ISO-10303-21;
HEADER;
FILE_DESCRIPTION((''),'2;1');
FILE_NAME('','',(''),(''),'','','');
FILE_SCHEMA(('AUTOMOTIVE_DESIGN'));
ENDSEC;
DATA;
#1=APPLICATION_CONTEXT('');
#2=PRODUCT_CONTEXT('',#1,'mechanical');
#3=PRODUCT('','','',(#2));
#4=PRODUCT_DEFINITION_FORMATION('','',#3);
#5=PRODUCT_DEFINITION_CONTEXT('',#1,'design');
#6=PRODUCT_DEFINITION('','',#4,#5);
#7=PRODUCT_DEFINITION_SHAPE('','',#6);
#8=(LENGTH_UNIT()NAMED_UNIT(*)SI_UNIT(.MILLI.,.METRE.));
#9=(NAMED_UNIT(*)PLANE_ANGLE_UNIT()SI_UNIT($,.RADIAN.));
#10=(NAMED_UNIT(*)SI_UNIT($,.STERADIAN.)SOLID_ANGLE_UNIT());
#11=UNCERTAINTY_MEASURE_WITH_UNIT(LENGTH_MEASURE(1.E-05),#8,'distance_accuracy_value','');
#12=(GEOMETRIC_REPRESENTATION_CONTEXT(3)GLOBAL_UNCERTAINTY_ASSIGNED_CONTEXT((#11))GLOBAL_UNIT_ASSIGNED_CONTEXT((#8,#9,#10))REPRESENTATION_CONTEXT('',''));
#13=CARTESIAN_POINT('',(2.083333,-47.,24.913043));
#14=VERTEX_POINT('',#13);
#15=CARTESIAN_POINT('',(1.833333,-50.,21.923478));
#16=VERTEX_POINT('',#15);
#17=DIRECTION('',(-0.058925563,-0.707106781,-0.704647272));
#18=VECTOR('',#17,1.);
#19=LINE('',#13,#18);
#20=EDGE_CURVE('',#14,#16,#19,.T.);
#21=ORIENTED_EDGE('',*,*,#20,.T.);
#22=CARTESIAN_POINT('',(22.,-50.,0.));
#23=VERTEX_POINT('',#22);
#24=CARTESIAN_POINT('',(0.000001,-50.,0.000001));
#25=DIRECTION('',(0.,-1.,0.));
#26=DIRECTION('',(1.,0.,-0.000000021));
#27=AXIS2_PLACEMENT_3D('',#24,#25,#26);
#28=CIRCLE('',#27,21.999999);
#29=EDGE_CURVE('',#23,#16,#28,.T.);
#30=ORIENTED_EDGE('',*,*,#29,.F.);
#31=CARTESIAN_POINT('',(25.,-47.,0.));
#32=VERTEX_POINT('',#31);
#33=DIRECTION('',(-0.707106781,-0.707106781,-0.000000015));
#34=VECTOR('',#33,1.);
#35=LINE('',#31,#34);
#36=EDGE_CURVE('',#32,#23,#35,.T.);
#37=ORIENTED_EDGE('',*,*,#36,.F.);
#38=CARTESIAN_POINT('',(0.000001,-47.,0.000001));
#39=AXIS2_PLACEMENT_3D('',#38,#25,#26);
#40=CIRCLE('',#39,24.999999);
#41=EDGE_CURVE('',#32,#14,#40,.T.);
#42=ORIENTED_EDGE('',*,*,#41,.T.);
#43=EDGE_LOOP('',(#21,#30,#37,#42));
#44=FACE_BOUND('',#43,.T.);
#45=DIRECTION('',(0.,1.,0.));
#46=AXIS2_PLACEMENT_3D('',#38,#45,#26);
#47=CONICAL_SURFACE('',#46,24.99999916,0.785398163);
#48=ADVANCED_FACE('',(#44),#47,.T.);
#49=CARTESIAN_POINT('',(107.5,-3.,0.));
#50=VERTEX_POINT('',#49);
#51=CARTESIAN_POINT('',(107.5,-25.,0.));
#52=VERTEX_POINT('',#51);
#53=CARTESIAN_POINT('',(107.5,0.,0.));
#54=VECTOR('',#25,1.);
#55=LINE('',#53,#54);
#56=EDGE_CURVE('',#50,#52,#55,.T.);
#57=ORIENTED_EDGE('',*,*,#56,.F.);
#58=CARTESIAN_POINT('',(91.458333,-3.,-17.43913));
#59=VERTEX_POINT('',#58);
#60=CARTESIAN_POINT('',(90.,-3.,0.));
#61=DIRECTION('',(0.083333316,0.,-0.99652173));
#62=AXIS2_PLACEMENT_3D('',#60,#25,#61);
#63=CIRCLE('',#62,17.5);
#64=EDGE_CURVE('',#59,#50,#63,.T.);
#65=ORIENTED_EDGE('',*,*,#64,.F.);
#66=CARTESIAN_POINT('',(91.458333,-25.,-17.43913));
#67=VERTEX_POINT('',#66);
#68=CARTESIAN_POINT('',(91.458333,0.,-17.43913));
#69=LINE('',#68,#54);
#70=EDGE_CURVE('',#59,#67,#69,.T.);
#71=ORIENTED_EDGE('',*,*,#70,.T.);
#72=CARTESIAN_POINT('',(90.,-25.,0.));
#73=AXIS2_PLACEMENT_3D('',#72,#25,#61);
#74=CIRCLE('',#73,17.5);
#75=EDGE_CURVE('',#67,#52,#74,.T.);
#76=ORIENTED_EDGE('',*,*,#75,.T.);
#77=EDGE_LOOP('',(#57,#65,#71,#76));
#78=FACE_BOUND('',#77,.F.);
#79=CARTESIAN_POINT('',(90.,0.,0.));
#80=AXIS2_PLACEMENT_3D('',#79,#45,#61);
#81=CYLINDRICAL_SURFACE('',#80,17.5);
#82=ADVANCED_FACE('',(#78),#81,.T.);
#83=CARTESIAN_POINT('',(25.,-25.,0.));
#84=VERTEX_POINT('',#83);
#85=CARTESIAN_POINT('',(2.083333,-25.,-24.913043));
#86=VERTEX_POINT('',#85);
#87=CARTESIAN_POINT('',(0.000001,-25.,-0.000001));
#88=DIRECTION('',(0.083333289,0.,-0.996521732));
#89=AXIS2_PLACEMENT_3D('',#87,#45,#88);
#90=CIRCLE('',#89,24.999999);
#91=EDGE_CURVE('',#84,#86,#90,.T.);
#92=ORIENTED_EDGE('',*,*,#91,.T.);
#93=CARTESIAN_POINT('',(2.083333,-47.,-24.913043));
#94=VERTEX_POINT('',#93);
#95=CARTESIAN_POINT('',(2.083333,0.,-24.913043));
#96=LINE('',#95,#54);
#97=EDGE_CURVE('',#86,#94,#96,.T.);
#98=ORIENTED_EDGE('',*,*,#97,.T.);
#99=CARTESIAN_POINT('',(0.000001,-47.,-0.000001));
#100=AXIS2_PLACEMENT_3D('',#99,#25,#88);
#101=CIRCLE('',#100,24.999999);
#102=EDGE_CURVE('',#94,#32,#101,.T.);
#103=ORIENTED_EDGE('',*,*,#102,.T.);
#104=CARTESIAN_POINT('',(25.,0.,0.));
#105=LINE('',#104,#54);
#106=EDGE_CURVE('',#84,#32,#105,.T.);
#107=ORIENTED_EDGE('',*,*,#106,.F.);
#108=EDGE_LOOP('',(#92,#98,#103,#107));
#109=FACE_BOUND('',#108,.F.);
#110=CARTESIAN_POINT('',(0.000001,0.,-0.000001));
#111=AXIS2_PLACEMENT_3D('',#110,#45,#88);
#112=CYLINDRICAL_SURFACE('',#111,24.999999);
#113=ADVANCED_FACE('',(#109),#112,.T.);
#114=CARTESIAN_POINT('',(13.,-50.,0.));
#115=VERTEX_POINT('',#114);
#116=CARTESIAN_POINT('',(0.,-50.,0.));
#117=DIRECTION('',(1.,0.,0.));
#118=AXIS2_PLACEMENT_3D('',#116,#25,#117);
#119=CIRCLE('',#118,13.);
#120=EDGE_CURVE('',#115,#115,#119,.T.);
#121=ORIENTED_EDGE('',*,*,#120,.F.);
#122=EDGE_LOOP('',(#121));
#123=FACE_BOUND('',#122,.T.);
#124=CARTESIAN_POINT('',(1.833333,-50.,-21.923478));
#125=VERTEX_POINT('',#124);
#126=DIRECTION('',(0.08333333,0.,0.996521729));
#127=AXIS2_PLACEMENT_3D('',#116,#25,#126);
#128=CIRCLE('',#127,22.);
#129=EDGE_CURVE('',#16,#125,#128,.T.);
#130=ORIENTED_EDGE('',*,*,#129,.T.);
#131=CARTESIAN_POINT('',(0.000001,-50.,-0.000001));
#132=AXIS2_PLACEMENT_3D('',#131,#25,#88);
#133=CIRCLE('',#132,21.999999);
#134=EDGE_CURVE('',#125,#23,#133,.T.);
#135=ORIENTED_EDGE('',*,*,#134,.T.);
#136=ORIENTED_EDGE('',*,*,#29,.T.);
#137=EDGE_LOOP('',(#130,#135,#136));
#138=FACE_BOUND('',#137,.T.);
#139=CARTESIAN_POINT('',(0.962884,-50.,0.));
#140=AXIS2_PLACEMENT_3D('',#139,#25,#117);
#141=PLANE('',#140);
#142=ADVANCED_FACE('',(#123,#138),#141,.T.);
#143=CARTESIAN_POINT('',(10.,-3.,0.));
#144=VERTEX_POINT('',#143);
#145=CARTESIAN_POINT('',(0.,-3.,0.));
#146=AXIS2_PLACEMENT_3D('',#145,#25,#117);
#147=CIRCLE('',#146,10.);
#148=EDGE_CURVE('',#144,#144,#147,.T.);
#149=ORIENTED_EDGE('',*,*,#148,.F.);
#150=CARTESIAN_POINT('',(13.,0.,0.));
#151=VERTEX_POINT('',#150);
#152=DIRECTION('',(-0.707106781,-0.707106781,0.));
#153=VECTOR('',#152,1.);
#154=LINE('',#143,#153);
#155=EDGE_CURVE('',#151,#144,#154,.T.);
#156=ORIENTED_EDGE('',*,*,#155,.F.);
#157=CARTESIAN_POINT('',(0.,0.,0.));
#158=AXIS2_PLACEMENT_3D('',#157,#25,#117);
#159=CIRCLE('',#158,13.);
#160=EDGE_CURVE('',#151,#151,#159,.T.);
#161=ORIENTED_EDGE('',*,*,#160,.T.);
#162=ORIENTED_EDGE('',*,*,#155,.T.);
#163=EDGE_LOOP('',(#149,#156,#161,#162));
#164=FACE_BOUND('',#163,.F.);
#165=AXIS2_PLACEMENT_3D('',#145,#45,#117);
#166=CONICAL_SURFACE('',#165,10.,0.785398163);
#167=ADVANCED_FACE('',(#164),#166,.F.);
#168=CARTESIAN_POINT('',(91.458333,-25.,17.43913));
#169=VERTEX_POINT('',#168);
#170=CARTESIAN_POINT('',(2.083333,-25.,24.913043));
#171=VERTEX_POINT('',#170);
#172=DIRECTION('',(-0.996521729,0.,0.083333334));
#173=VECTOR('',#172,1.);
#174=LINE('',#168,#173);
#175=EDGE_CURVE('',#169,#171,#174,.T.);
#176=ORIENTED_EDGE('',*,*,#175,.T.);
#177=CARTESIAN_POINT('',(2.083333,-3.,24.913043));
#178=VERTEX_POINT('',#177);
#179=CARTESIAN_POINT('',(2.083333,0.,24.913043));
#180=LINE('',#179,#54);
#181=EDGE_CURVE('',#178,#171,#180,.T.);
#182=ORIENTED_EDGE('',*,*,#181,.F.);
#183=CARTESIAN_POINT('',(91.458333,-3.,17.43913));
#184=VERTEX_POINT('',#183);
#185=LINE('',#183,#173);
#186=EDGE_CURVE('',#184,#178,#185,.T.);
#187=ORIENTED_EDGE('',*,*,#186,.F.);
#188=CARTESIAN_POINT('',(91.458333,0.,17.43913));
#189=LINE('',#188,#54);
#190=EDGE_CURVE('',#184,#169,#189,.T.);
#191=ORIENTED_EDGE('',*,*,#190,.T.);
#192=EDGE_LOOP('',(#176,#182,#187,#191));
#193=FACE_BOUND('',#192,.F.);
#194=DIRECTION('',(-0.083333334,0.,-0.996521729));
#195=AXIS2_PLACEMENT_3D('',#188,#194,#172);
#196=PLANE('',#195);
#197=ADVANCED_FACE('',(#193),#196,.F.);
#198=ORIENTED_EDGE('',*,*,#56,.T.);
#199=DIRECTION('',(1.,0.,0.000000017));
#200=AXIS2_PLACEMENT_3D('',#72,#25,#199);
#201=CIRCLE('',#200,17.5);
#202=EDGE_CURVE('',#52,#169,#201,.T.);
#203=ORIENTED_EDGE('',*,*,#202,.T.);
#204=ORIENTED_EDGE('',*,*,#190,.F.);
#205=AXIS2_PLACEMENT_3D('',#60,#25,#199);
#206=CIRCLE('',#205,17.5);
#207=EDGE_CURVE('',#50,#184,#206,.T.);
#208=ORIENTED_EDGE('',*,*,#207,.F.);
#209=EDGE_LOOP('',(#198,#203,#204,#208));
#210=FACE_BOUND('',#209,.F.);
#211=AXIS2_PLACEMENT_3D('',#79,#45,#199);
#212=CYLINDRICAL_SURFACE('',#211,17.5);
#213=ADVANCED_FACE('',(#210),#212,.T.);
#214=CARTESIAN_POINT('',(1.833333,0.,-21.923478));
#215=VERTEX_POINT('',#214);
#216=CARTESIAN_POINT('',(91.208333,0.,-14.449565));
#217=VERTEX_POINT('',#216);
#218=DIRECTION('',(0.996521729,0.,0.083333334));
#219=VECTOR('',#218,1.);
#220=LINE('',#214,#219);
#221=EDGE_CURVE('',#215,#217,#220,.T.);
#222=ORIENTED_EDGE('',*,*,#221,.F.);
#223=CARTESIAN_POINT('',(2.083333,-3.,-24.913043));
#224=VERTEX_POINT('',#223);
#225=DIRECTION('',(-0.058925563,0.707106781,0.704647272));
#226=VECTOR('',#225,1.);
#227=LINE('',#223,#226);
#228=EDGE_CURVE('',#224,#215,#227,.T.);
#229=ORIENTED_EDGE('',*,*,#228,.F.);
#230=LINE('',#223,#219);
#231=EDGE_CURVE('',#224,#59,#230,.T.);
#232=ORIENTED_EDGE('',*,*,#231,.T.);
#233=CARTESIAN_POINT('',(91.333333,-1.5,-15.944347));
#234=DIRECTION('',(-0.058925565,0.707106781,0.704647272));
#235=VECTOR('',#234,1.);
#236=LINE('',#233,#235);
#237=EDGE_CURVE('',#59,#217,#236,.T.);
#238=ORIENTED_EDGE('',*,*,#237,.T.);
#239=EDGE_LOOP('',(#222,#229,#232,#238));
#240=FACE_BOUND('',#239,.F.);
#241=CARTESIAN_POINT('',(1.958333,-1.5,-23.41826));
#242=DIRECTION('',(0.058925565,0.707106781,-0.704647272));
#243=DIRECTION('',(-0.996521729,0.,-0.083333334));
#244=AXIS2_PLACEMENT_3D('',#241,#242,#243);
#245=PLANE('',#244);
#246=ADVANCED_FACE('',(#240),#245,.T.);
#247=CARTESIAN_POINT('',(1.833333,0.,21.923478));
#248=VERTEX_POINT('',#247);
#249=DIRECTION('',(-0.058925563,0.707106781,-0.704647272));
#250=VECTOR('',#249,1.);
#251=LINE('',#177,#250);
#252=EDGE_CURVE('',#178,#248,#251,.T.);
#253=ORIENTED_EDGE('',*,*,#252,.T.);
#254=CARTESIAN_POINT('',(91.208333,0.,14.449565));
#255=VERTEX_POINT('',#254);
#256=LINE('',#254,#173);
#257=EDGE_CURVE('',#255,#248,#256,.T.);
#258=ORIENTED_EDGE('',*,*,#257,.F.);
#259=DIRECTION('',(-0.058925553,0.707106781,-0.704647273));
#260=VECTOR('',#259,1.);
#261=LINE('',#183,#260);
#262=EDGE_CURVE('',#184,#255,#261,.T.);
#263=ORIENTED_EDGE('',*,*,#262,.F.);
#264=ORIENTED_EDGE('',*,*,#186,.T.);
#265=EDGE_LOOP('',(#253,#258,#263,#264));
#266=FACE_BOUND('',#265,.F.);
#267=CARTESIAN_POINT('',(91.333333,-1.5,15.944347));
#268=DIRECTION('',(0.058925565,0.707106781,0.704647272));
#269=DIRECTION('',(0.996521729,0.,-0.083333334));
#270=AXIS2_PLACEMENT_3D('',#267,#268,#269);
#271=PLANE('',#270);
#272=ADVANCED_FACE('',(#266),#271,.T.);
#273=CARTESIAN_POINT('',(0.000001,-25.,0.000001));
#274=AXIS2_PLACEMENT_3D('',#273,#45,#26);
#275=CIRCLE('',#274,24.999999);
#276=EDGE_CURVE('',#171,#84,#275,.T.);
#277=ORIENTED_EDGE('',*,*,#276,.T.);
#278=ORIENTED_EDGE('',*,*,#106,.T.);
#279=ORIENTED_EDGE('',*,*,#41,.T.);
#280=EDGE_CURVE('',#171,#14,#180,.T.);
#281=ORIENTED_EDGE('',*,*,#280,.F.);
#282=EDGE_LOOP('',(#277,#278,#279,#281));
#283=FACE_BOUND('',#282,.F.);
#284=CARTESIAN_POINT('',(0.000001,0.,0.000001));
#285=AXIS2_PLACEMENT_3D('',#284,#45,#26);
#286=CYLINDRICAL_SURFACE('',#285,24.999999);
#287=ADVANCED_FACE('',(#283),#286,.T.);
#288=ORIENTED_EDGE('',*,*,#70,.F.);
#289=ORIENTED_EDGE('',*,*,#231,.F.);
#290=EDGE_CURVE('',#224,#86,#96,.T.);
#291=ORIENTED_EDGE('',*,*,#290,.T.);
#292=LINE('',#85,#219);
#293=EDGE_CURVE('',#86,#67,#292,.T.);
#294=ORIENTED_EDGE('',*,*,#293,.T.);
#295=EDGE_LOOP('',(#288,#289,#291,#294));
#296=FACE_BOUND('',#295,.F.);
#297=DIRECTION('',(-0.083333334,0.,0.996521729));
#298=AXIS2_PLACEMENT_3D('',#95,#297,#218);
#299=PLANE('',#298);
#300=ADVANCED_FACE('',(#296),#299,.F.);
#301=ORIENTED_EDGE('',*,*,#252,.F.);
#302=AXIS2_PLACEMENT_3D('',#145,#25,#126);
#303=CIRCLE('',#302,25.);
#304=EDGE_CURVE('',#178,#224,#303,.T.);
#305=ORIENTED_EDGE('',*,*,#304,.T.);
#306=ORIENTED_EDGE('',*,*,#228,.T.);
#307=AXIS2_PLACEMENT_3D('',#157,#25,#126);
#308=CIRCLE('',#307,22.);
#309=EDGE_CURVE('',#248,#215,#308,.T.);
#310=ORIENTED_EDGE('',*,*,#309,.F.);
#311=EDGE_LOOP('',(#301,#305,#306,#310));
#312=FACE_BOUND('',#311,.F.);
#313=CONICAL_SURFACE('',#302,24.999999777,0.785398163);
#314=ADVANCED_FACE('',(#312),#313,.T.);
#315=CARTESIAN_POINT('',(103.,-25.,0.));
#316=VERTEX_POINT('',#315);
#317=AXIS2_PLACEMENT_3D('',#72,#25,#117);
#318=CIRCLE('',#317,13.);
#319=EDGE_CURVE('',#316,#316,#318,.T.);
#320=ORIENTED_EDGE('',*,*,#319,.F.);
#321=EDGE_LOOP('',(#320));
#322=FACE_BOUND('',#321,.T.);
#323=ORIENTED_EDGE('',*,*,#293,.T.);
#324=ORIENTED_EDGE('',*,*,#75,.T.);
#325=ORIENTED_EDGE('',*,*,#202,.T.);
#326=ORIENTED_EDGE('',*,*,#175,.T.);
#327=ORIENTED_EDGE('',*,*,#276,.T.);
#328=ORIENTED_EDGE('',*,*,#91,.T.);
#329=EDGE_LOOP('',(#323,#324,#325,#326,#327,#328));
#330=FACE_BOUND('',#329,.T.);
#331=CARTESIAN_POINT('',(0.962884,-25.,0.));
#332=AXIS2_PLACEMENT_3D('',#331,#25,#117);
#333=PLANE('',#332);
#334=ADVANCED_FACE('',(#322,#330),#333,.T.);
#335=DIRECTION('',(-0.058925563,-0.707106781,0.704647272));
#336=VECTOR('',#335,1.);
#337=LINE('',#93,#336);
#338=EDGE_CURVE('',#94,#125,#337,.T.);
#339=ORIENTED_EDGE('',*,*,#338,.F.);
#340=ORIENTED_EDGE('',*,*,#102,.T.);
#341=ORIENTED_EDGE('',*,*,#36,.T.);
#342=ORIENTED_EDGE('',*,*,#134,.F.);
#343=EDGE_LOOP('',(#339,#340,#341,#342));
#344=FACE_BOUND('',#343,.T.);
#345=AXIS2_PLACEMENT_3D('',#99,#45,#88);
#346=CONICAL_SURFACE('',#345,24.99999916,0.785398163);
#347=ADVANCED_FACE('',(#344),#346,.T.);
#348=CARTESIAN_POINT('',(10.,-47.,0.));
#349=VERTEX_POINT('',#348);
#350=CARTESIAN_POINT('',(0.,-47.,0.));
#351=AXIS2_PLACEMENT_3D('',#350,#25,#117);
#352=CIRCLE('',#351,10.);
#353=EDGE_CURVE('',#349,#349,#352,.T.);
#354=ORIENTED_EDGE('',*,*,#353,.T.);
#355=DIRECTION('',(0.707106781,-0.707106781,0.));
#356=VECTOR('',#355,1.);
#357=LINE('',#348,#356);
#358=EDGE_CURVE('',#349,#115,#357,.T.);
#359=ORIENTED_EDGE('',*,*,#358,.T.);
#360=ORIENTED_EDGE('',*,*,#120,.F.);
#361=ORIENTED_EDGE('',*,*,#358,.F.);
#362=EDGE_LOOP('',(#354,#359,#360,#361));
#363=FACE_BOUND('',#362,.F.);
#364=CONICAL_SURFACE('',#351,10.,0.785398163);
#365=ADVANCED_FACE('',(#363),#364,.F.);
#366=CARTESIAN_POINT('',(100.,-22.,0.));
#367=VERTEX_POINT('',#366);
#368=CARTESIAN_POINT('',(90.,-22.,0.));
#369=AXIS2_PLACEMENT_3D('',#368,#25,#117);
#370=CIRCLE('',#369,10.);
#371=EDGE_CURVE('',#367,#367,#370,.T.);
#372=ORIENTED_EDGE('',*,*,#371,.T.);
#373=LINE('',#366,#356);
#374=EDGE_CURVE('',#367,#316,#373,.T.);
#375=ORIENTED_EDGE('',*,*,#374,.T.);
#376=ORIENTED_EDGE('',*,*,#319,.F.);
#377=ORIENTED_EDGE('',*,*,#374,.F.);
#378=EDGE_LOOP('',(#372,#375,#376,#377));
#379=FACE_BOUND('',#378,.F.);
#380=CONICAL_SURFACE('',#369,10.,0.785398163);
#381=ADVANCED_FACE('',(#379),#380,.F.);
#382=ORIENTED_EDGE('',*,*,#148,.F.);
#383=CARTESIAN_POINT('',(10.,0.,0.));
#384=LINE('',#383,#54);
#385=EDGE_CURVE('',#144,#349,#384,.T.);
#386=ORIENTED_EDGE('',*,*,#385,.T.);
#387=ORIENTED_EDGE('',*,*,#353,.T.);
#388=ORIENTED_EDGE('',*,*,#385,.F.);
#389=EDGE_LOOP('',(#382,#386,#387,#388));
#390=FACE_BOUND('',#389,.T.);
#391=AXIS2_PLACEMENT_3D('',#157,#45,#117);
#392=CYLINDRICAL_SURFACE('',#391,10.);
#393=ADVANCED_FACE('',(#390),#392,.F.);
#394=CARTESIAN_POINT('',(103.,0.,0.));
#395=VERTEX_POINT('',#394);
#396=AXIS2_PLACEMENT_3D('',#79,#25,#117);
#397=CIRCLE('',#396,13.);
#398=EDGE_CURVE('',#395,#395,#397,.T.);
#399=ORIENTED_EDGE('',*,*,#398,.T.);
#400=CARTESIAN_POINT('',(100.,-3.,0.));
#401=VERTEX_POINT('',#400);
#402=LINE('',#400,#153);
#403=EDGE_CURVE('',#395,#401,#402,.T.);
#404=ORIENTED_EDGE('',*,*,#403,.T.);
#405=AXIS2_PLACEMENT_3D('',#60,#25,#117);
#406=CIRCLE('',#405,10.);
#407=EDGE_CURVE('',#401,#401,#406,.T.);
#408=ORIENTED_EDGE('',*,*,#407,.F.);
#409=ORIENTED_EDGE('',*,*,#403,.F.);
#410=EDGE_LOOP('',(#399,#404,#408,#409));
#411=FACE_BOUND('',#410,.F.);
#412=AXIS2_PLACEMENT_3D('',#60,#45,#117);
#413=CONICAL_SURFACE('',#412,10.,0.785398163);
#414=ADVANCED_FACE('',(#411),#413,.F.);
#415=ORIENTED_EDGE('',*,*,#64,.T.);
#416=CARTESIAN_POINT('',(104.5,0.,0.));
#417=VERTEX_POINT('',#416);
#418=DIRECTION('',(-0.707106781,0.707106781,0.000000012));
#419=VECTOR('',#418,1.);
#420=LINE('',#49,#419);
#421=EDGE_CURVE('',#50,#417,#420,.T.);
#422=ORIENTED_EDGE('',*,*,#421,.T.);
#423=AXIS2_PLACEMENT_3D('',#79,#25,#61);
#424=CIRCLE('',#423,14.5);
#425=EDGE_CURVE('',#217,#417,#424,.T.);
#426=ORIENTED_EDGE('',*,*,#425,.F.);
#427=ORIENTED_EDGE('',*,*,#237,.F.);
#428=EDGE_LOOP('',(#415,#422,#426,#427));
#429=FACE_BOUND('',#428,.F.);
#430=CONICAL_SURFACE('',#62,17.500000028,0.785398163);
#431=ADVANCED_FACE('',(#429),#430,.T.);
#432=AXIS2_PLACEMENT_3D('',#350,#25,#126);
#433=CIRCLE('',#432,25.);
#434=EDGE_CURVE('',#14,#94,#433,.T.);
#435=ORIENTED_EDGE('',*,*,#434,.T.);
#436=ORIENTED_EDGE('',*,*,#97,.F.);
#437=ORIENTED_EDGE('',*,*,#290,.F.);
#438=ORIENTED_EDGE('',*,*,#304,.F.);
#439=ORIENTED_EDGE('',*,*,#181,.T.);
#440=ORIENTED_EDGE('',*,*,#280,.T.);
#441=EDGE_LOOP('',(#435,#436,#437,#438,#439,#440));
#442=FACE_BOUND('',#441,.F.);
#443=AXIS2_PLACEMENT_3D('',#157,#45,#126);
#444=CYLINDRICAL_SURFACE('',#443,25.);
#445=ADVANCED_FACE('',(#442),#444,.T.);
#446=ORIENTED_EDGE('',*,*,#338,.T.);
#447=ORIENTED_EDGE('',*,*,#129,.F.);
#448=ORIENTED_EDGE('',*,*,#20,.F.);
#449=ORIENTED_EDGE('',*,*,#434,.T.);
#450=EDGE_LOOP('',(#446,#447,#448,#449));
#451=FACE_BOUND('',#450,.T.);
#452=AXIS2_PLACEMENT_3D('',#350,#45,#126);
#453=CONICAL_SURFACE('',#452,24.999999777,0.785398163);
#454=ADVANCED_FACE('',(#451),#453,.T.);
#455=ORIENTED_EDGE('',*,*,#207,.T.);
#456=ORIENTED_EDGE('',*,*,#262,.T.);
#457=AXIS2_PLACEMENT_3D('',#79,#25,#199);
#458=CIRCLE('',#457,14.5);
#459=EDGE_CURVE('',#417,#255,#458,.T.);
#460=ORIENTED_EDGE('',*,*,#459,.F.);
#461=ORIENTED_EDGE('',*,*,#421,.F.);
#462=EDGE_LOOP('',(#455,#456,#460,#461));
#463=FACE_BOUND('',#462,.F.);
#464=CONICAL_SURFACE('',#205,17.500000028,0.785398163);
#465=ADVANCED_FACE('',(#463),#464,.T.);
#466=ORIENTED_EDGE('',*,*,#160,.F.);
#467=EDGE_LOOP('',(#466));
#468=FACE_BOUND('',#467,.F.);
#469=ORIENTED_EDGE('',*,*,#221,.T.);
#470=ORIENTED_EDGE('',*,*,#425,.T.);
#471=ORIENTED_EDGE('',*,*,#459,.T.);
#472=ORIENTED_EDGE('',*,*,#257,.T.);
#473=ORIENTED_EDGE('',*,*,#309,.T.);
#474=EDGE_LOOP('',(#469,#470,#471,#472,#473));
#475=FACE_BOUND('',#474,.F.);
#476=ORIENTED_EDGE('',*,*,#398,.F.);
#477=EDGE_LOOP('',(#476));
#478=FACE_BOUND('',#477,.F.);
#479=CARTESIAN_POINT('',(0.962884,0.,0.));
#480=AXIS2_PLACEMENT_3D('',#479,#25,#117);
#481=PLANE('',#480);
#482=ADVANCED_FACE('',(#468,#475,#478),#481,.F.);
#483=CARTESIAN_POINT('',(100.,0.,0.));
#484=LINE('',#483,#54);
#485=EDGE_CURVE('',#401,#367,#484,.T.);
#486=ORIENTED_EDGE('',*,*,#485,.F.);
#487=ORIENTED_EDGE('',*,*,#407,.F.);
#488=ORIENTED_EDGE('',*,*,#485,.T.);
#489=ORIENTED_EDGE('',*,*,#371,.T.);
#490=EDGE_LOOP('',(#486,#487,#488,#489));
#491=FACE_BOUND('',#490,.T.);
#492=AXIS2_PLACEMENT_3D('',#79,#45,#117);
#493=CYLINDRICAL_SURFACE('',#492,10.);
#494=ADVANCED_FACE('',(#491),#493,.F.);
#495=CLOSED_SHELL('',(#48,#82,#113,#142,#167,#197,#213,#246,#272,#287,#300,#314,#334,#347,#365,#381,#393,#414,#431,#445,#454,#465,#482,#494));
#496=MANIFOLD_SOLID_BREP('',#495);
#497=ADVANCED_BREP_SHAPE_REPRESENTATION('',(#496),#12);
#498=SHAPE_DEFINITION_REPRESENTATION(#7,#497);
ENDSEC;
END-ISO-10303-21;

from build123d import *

# Parameters (mm, degrees)
F0_R     = 10
F1_DEPTH = 25
F2_DEPTH = 50
F3_SIZE  = 3
F4_SIZE  = 3


with BuildPart() as f1:
    # F0 (on Front) → F1 (new body)
    with BuildSketch(Plane.XZ):
        with BuildLine():
            ThreePointArc((2.083333, -24.913043), (18.399502, -16.92508), (25, 0))
            ThreePointArc((25, 0), (18.399502, 16.92508), (2.083333, 24.913043))
            ThreePointArc((2.083333, 24.913043), (-25, 0), (2.083333, -24.913043))
        make_face()
        Circle(F0_R, mode=Mode.SUBTRACT)
        with BuildLine():
            ThreePointArc((2.083333, 24.913043), (18.399502, 16.92508), (25, 0))
            ThreePointArc((25, 0), (18.399502, -16.92508), (2.083333, -24.913043))
            Line((2.083333, -24.913043), (91.458333, -17.43913))
            ThreePointArc((91.458333, -17.43913), (72.5, 0), (91.458333, 17.43913))
            Line((91.458333, 17.43913), (2.083333, 24.913043))
        make_face()
        with BuildLine():
            ThreePointArc((107.5, 0), (102.879651, 11.847556), (91.458333, 17.43913))
            ThreePointArc((91.458333, 17.43913), (72.5, 0), (91.458333, -17.43913))
            ThreePointArc((91.458333, -17.43913), (102.879651, -11.847556), (107.5, 0))
        make_face()
        with Locations((90, 0)):
            Circle(F0_R, mode=Mode.SUBTRACT)
    extrude(amount=F1_DEPTH)

    # F0 (on Front) → F2 (join)
    with BuildSketch(Plane.XZ):
        with BuildLine():
            ThreePointArc((2.083333, -24.913043), (18.399502, -16.92508), (25, 0))
            ThreePointArc((25, 0), (18.399502, 16.92508), (2.083333, 24.913043))
            ThreePointArc((2.083333, 24.913043), (-25, 0), (2.083333, -24.913043))
        make_face()
        Circle(F0_R, mode=Mode.SUBTRACT)
    extrude(amount=F2_DEPTH)

    # F3
    f3_edges = [f1.edges().sort_by_distance(p)[0] for p in [
        (-2.083333, -50, 24.913043),
        (-10, -50, 0),
        (80, -25, 0),
    ]]
    chamfer(f3_edges, length=F3_SIZE)

    # F4
    f4_edges = [f1.edges().sort_by_distance(p)[0] for p in [
        (80, 0, 0),
        (-10, 0, 0),
        (-25, 0, 0),
        (46.770833, 0, -21.176087),
        (46.770833, 0, 21.176087),
        (107.5, 0, 0),
    ]]
    chamfer(f4_edges, length=F4_SIZE)


solid = f1.part
